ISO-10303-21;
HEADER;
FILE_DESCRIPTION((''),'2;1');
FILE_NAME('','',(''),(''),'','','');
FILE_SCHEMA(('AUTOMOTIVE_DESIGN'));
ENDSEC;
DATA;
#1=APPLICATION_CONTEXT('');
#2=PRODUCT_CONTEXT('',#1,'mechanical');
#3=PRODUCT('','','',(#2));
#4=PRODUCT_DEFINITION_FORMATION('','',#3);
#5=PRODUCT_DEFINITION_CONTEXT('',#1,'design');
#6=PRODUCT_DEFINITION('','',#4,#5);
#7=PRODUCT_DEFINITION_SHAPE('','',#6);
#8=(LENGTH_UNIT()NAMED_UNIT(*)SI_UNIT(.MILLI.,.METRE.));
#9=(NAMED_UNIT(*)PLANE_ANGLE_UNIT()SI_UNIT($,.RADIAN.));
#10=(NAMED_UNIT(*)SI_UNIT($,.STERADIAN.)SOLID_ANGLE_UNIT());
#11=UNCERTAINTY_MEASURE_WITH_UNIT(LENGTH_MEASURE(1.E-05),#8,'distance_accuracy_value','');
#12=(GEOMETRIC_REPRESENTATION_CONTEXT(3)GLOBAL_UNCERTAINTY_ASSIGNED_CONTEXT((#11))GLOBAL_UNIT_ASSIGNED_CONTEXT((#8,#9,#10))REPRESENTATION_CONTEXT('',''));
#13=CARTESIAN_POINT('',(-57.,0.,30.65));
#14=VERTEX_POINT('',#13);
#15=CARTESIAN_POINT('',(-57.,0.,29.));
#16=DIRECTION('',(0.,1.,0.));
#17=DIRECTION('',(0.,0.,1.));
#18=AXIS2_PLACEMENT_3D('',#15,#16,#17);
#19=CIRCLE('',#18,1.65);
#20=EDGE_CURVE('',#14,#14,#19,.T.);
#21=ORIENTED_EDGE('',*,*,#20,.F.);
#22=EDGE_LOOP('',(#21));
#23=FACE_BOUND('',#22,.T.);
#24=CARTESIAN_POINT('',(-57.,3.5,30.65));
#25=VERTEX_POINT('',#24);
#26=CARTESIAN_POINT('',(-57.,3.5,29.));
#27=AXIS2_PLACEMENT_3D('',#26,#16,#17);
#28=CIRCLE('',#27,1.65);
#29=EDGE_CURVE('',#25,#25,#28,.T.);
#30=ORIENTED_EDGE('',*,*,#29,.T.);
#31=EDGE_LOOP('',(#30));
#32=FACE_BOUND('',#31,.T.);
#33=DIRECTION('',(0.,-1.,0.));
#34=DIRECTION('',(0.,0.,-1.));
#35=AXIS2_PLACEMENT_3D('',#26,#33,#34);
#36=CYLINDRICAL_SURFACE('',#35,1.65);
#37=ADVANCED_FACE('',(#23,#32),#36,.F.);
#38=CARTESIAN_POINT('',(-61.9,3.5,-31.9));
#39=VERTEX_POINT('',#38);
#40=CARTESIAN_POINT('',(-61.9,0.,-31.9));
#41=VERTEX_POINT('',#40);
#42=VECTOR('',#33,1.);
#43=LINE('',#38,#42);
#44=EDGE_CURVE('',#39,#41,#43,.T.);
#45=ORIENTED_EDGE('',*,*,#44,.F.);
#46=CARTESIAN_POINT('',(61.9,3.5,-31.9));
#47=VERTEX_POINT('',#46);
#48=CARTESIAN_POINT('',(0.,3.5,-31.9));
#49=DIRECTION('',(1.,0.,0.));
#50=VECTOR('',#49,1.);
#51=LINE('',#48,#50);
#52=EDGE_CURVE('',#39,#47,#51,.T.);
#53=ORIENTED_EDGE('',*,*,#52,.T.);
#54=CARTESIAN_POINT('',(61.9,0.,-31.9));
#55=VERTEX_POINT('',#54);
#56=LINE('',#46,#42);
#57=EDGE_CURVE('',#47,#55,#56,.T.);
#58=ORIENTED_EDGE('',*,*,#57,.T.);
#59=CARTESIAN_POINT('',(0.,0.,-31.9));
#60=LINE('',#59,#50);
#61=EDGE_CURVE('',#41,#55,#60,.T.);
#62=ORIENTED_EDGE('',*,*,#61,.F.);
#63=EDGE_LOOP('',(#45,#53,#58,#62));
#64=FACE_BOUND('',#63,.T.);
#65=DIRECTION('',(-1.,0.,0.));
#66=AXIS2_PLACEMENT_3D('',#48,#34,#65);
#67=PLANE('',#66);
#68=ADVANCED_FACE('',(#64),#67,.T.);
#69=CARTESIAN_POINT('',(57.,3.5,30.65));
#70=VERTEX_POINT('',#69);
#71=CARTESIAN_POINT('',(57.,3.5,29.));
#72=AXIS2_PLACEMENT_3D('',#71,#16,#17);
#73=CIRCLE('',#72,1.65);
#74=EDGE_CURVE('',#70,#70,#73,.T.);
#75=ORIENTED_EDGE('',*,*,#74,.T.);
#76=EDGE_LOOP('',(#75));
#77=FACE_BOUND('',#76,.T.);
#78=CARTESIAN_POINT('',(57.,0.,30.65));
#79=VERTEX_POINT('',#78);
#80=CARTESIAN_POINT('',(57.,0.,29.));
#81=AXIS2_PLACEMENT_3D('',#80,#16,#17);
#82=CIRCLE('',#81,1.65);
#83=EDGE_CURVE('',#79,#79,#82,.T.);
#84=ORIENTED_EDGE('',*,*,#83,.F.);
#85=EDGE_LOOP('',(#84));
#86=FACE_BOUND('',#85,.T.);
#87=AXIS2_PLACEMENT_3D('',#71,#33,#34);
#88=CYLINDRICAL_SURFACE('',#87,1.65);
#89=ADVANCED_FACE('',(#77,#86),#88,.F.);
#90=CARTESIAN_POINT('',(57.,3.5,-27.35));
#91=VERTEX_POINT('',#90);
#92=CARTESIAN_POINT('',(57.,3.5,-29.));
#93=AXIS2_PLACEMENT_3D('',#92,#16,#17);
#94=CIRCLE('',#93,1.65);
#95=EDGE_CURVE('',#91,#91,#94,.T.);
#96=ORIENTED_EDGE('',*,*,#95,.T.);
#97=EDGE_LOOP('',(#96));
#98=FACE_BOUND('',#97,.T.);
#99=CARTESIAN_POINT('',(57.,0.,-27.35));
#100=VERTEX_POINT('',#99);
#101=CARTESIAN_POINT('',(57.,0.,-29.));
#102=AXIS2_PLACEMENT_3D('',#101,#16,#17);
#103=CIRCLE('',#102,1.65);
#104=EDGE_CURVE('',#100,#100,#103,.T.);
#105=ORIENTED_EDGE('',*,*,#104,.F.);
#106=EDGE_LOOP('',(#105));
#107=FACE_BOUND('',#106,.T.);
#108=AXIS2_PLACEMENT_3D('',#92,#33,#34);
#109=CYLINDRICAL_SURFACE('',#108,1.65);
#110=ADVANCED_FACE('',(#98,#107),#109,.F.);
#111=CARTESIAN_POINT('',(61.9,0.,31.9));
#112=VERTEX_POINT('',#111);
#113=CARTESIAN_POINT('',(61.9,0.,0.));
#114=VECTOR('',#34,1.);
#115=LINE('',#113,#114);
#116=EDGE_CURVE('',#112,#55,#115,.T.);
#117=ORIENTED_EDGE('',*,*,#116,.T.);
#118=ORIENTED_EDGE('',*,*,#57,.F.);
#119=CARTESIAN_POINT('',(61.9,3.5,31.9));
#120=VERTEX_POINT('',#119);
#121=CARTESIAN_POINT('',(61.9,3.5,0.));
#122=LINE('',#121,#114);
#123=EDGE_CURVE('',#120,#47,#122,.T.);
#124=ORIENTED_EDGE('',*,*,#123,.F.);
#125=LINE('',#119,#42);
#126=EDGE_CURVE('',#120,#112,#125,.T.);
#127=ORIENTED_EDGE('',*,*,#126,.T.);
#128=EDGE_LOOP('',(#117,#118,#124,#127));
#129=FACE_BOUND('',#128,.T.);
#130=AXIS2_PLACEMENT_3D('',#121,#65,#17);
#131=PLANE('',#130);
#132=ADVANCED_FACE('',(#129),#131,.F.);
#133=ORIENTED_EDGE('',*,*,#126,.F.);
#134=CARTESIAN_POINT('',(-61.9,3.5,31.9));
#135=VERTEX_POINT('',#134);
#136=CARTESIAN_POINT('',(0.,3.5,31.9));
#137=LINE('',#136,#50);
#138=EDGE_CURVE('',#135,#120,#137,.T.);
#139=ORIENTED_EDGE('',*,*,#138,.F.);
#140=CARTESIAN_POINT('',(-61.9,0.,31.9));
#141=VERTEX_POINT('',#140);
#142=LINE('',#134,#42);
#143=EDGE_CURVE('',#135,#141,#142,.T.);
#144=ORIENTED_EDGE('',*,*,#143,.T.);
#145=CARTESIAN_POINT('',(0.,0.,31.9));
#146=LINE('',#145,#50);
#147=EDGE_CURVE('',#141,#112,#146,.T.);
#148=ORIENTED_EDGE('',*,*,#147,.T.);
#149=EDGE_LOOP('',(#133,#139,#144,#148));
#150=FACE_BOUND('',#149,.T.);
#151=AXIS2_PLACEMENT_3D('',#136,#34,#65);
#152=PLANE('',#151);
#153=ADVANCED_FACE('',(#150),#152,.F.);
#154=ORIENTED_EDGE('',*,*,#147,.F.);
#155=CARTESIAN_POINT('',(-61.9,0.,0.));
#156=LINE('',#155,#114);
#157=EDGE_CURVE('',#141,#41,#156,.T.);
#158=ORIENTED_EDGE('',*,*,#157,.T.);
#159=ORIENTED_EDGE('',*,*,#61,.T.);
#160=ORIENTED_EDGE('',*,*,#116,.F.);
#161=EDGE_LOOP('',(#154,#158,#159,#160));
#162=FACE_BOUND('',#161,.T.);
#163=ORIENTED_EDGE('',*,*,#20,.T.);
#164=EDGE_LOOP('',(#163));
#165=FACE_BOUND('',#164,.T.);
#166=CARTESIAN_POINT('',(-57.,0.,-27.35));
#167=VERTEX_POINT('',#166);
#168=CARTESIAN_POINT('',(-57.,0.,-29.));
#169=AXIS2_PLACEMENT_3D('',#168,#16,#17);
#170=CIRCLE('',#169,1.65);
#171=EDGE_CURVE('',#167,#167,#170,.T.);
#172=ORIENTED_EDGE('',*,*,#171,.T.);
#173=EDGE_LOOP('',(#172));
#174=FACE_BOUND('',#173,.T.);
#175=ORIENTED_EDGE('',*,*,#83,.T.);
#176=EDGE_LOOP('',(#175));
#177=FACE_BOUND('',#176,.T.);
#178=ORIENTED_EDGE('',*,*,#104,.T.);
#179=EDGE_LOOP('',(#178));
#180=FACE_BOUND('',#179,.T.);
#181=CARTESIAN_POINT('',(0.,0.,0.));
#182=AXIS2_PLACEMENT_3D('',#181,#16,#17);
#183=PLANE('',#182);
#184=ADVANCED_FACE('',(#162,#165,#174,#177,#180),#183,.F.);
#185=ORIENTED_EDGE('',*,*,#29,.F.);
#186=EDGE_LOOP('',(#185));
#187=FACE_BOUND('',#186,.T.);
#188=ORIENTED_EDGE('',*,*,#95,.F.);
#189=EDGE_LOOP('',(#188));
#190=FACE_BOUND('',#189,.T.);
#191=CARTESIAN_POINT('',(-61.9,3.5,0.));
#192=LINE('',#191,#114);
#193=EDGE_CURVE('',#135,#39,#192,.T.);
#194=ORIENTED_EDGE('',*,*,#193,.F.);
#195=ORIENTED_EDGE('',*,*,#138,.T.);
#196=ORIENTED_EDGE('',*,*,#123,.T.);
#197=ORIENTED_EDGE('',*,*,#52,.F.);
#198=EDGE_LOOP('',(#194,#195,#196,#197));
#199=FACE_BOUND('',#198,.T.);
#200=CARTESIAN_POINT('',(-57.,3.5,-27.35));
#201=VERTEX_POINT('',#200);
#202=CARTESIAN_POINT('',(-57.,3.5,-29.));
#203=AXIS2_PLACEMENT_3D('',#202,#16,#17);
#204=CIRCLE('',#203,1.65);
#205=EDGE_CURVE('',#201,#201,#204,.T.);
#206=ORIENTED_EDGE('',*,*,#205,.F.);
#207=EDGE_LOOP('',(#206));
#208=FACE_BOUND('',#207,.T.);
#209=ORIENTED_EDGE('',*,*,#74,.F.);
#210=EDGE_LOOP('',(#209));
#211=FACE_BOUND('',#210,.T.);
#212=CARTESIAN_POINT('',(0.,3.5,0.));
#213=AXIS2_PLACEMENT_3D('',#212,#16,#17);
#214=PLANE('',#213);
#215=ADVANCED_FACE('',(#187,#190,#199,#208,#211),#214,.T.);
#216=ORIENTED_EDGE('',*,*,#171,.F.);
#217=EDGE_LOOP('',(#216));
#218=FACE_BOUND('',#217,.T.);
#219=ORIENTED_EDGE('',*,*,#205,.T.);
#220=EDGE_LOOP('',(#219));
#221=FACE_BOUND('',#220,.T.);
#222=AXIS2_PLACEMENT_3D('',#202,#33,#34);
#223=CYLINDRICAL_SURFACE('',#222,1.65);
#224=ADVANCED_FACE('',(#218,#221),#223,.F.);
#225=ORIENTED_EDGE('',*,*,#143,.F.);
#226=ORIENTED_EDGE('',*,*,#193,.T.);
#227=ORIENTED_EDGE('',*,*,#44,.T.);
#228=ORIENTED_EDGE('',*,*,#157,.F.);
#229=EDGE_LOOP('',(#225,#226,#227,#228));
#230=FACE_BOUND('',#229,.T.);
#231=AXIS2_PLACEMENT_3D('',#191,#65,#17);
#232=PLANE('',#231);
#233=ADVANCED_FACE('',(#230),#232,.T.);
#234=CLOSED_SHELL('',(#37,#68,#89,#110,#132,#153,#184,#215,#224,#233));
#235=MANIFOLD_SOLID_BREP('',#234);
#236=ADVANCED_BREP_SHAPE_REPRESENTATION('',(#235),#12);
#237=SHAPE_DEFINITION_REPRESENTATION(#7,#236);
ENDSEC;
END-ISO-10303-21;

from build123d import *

# Parameters (mm, degrees)
SKETCH1_W      = 123.8
SKETCH1_H      = 63.8
SKETCH1_R      = 1.65
EXTRUDE1_DEPTH = 3.5


with BuildPart() as part:
    # Sketch1 → Extrude1 (new body)
    with BuildSketch(Plane(origin=(0, 0, 0), x_dir=(1, 0, 0), z_dir=(0, 1, 0))):
        Rectangle(SKETCH1_W, SKETCH1_H)
        with Locations(Location((-57, -29, 0), (0, 0, 270))):
            Circle(SKETCH1_R, mode=Mode.SUBTRACT)
        with Locations(Location((57, -29, 0), (0, 0, 270))):
            Circle(SKETCH1_R, mode=Mode.SUBTRACT)
        with Locations(Location((57, 29, 0), (0, 0, 270))):
            Circle(SKETCH1_R, mode=Mode.SUBTRACT)
        with Locations(Location((-57, 29, 0), (0, 0, 270))):
            Circle(SKETCH1_R, mode=Mode.SUBTRACT)
    extrude(amount=EXTRUDE1_DEPTH)


solid = part.part
